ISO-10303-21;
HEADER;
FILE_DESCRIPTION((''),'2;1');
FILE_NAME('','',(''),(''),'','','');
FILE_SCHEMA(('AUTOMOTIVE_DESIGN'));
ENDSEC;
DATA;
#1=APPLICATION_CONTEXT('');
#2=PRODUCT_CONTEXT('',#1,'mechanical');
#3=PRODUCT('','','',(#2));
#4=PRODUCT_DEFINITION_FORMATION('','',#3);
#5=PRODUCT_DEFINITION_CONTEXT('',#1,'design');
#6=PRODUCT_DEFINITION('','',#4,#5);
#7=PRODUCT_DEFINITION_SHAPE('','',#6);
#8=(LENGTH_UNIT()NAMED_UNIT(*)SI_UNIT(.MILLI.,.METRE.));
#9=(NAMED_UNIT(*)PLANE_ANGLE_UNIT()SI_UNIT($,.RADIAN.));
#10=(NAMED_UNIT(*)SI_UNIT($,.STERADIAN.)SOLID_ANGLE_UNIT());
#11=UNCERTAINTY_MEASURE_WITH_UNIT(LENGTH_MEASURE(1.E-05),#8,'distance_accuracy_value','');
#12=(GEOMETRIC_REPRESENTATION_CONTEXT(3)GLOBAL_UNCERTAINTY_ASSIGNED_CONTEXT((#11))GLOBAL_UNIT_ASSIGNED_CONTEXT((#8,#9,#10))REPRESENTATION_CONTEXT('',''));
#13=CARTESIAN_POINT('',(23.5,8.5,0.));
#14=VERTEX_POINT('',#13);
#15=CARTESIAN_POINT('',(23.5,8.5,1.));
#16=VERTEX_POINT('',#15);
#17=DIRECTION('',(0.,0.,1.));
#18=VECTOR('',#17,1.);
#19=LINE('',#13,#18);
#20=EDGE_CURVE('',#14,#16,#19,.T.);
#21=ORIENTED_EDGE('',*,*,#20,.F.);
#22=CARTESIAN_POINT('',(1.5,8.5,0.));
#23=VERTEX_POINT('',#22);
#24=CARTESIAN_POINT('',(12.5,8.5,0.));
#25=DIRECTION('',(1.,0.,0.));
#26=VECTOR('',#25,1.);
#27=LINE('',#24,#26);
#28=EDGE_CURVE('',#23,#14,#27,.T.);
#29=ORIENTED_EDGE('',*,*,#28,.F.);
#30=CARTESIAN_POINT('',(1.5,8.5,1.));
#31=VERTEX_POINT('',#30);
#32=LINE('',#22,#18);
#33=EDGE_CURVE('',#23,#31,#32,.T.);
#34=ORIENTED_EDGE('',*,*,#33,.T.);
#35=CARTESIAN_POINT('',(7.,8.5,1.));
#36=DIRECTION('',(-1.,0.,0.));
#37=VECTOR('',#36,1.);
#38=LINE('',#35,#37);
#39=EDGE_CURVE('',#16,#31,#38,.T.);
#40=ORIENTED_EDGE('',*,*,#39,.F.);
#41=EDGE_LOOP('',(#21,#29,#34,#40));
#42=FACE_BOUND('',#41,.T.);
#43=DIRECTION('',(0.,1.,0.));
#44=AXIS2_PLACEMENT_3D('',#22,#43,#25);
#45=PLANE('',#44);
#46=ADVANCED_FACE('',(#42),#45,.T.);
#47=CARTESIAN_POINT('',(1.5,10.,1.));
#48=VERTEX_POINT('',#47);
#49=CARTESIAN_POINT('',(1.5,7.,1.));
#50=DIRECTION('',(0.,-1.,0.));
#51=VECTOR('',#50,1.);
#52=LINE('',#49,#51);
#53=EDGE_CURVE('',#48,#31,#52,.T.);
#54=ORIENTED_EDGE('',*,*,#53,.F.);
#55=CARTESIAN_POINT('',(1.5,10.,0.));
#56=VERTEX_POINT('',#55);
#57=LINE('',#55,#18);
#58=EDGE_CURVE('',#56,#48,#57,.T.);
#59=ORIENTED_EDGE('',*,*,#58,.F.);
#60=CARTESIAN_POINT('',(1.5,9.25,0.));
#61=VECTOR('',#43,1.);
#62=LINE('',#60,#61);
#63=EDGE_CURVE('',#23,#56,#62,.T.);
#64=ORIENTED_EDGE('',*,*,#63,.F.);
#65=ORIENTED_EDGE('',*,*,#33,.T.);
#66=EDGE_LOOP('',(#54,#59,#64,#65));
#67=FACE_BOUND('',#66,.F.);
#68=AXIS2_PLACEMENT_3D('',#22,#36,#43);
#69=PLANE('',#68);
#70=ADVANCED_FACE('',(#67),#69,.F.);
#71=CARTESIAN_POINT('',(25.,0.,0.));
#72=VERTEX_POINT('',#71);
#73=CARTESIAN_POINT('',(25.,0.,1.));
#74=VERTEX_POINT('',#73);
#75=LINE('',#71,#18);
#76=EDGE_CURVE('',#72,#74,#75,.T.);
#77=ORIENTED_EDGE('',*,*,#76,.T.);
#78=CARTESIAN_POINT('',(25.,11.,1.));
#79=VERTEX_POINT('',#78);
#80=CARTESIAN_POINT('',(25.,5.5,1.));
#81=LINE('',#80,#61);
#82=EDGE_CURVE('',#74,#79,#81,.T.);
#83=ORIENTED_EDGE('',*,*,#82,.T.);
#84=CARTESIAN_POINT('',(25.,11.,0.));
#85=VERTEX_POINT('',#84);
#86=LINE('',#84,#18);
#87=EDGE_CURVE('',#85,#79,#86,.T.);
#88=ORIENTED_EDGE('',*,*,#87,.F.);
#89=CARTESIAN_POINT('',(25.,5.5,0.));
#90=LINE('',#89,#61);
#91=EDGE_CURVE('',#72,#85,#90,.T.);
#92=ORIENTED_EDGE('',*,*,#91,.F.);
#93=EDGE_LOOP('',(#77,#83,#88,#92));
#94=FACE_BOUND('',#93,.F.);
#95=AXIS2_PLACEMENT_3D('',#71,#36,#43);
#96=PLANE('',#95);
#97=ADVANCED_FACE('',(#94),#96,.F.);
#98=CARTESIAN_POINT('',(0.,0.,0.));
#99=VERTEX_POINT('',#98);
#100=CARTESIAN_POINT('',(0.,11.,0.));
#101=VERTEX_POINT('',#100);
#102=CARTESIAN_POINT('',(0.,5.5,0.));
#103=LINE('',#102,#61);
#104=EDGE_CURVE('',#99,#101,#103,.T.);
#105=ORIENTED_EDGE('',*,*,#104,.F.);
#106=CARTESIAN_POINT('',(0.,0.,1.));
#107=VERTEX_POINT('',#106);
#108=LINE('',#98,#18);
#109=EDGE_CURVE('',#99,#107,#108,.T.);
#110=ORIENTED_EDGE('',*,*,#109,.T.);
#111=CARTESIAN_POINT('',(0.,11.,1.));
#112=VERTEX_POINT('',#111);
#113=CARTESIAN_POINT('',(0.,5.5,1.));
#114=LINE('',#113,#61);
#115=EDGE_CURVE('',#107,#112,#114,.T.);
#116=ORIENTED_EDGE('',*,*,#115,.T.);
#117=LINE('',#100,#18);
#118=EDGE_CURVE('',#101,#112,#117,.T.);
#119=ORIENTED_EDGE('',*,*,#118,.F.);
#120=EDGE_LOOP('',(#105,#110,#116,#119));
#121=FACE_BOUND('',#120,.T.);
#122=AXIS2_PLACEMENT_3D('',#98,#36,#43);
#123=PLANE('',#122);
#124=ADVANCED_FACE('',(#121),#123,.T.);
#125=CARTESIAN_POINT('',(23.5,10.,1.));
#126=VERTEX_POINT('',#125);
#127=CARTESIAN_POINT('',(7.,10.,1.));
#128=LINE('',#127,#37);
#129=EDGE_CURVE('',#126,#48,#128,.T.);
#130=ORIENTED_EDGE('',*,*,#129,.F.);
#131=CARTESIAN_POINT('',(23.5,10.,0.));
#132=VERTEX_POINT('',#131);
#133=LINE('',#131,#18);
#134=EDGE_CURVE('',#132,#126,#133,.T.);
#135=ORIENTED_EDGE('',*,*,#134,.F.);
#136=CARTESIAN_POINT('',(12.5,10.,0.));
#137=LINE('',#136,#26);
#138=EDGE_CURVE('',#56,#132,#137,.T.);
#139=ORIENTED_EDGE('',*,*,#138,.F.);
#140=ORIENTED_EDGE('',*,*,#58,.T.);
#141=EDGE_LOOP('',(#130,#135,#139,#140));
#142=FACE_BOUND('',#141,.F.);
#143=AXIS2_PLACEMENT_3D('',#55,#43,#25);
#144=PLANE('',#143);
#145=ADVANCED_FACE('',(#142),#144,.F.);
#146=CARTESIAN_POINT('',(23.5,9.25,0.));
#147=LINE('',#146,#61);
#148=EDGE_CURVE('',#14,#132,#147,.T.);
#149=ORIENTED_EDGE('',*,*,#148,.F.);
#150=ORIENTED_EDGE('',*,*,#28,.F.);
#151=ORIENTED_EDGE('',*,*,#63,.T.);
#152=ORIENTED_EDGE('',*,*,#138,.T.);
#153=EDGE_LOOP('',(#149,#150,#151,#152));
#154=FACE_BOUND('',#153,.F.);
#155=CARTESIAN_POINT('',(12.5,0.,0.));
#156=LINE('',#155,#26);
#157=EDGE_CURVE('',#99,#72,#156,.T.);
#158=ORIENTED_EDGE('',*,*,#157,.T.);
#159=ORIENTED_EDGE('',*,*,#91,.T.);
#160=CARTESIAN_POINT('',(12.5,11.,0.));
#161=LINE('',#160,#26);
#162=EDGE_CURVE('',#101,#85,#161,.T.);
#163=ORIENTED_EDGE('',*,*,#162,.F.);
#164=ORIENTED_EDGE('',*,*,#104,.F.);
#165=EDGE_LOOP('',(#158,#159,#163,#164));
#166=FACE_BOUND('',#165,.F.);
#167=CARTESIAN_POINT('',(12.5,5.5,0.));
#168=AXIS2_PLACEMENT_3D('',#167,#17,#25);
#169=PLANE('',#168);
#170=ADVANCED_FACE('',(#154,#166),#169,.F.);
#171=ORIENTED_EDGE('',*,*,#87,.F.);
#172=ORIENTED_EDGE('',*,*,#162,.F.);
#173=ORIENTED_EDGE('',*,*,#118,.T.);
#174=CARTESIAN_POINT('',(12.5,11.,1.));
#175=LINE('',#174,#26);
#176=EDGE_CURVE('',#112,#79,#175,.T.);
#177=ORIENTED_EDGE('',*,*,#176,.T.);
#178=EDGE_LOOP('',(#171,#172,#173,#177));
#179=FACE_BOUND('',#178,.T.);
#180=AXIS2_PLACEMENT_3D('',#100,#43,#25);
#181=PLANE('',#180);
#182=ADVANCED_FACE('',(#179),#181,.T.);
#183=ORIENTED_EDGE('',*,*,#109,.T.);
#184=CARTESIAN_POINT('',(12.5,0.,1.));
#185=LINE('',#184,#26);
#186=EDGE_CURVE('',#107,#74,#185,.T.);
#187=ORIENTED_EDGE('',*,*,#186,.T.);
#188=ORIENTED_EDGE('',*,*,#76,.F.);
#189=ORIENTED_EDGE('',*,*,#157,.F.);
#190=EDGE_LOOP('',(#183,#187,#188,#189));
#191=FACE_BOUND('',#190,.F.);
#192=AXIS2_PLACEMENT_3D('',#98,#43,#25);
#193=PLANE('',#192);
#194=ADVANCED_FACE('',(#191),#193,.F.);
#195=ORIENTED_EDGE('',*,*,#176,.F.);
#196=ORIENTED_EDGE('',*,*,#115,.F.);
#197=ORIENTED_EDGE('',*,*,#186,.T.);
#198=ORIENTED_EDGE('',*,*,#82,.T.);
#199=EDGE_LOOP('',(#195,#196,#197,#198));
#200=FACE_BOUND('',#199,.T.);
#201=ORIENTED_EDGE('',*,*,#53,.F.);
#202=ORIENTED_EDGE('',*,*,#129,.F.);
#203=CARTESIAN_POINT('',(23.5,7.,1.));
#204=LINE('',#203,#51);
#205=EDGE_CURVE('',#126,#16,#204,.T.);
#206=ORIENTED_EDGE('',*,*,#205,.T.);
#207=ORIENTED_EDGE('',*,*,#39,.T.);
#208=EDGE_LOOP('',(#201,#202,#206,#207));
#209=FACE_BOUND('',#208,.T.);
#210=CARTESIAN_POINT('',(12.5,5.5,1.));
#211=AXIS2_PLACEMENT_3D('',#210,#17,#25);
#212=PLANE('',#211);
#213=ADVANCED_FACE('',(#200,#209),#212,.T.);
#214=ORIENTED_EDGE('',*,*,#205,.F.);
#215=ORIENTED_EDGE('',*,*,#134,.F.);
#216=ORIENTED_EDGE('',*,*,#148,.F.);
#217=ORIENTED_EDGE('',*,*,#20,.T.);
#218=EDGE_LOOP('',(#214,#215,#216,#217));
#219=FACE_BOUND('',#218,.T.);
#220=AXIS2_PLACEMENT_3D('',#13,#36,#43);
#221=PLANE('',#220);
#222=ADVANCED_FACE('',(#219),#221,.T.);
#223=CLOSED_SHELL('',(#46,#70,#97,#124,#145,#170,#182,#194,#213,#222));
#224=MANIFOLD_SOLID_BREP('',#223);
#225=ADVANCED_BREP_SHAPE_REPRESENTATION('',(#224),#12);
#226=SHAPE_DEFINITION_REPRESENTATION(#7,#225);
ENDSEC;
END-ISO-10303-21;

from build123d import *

# Parameters (mm, degrees)
BOX154_W     = 22
BOX154_H     = 1.5
BOX154_DEPTH = 2
BOX152_W     = 25
BOX152_H     = 11
BOX152_DEPTH = 1


with BuildPart() as longledhole012:
    # Box154 → Box154 (new body)
    with BuildSketch(Plane(origin=(1.5, 8.5, 0), x_dir=(1, 0, 0), z_dir=(0, 0, 1))):
        with Locations((11, 0.75)):
            Rectangle(BOX154_W, BOX154_H)
    extrude(amount=BOX154_DEPTH)


with BuildPart() as cut029:
    # Box152 → Box152 (new body)
    with BuildSketch(Plane.XY):
        with Locations((12.5, 5.5)):
            Rectangle(BOX152_W, BOX152_H)
    extrude(amount=BOX152_DEPTH)

    # Cut029: cut LongLedHole012
    add(longledhole012.part, mode=Mode.SUBTRACT)


solid = cut029.part
